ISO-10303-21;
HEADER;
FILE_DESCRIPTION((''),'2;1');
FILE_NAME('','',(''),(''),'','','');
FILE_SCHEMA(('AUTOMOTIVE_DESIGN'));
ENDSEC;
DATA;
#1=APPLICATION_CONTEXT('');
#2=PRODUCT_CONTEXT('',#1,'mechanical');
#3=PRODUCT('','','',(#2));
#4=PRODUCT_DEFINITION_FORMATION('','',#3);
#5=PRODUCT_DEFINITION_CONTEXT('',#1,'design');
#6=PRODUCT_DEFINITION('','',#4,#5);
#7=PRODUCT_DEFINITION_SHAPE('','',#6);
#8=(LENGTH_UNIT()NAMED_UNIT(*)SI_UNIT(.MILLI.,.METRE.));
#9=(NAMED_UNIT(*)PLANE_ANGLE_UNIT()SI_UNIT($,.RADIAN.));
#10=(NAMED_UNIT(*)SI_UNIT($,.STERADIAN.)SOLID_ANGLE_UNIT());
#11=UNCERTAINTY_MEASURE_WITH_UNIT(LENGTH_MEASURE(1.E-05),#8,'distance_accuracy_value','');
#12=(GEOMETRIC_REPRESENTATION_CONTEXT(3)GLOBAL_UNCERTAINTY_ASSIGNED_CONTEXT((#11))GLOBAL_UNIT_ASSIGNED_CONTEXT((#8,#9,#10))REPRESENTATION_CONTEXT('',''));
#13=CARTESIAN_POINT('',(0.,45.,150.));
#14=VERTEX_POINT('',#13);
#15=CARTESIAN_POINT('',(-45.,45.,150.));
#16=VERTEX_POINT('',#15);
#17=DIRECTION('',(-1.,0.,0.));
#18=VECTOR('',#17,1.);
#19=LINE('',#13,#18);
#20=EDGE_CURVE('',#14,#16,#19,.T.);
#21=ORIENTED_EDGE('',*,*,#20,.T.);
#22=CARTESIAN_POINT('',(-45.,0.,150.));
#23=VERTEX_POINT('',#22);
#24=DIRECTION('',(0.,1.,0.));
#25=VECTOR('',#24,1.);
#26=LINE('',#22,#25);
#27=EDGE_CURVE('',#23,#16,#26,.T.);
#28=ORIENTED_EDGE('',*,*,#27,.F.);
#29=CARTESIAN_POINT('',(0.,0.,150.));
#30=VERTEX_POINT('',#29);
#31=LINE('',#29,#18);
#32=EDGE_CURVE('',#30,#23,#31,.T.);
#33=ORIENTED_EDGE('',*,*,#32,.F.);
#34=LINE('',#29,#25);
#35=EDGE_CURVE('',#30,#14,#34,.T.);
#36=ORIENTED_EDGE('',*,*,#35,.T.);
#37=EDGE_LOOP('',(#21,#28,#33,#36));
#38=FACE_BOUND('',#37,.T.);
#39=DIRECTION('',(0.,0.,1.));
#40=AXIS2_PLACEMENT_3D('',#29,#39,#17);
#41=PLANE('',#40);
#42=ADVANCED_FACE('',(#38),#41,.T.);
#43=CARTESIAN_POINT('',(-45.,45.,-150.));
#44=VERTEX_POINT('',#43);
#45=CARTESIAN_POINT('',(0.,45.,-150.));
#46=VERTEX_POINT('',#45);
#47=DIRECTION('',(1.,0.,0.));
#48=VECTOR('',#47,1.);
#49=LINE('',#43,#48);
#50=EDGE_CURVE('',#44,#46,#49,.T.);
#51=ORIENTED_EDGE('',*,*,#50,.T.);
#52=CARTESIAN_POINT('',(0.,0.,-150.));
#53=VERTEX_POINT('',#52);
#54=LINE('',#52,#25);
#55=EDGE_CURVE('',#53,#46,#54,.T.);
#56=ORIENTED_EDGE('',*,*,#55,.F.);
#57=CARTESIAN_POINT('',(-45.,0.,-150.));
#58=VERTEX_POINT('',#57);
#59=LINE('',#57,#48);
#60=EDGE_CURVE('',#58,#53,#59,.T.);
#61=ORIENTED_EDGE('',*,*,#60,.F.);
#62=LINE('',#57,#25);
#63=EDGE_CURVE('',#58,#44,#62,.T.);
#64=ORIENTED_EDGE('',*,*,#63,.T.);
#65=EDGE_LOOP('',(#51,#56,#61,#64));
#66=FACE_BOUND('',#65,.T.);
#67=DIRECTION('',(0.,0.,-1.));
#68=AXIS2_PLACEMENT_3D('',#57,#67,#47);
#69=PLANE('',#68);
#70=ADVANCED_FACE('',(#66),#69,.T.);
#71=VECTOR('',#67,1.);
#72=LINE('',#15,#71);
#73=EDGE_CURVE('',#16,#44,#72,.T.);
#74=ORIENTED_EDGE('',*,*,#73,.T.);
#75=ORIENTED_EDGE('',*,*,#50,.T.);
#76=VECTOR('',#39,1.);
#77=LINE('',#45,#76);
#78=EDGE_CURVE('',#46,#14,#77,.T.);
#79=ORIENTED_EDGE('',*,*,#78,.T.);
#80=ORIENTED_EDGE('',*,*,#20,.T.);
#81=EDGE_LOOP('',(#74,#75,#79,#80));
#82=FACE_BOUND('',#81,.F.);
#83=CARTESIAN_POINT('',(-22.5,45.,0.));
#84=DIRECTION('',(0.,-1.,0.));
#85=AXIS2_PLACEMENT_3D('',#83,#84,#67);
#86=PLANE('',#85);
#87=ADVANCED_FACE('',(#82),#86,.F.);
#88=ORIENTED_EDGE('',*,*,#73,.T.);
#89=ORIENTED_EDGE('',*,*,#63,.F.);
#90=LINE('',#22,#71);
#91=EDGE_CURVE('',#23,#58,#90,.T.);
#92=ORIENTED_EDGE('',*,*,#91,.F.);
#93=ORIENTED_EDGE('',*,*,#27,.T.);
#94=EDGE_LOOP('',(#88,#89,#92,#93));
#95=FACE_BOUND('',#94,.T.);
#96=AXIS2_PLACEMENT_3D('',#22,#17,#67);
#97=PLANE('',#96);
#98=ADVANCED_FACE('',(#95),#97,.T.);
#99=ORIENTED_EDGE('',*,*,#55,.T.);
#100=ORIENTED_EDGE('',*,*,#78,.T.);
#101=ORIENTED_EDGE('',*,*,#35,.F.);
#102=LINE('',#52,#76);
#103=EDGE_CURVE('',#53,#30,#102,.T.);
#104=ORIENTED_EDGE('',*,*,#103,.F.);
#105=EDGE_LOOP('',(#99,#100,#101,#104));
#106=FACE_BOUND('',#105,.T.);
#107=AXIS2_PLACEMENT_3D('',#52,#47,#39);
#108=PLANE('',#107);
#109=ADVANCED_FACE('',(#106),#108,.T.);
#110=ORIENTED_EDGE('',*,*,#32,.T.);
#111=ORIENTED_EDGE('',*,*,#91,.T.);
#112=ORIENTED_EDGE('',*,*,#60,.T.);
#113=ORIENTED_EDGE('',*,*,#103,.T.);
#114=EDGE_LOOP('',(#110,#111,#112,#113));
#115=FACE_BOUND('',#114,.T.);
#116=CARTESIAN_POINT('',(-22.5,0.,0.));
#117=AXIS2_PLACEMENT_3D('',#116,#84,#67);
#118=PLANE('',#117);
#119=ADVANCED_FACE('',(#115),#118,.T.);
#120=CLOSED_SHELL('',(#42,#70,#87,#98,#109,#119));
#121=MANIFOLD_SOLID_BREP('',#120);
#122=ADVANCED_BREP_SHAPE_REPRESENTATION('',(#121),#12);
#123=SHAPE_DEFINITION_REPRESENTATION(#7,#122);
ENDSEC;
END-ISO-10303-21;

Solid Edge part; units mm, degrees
sketch "Sketch1" plane through (0, 0, 0) normal (0, -1, 0) x (1, 0, 0)
  line L0 (0, -150) -> (0, 150)
  line L1 (0, 150) -> (-45, 150)
  line L2 (-45, 150) -> (-45, -150)
  line L3 (-45, -150) -> (0, -150)
extrude "Protrusion1" add sketch "Sketch1" against normal blind 45
